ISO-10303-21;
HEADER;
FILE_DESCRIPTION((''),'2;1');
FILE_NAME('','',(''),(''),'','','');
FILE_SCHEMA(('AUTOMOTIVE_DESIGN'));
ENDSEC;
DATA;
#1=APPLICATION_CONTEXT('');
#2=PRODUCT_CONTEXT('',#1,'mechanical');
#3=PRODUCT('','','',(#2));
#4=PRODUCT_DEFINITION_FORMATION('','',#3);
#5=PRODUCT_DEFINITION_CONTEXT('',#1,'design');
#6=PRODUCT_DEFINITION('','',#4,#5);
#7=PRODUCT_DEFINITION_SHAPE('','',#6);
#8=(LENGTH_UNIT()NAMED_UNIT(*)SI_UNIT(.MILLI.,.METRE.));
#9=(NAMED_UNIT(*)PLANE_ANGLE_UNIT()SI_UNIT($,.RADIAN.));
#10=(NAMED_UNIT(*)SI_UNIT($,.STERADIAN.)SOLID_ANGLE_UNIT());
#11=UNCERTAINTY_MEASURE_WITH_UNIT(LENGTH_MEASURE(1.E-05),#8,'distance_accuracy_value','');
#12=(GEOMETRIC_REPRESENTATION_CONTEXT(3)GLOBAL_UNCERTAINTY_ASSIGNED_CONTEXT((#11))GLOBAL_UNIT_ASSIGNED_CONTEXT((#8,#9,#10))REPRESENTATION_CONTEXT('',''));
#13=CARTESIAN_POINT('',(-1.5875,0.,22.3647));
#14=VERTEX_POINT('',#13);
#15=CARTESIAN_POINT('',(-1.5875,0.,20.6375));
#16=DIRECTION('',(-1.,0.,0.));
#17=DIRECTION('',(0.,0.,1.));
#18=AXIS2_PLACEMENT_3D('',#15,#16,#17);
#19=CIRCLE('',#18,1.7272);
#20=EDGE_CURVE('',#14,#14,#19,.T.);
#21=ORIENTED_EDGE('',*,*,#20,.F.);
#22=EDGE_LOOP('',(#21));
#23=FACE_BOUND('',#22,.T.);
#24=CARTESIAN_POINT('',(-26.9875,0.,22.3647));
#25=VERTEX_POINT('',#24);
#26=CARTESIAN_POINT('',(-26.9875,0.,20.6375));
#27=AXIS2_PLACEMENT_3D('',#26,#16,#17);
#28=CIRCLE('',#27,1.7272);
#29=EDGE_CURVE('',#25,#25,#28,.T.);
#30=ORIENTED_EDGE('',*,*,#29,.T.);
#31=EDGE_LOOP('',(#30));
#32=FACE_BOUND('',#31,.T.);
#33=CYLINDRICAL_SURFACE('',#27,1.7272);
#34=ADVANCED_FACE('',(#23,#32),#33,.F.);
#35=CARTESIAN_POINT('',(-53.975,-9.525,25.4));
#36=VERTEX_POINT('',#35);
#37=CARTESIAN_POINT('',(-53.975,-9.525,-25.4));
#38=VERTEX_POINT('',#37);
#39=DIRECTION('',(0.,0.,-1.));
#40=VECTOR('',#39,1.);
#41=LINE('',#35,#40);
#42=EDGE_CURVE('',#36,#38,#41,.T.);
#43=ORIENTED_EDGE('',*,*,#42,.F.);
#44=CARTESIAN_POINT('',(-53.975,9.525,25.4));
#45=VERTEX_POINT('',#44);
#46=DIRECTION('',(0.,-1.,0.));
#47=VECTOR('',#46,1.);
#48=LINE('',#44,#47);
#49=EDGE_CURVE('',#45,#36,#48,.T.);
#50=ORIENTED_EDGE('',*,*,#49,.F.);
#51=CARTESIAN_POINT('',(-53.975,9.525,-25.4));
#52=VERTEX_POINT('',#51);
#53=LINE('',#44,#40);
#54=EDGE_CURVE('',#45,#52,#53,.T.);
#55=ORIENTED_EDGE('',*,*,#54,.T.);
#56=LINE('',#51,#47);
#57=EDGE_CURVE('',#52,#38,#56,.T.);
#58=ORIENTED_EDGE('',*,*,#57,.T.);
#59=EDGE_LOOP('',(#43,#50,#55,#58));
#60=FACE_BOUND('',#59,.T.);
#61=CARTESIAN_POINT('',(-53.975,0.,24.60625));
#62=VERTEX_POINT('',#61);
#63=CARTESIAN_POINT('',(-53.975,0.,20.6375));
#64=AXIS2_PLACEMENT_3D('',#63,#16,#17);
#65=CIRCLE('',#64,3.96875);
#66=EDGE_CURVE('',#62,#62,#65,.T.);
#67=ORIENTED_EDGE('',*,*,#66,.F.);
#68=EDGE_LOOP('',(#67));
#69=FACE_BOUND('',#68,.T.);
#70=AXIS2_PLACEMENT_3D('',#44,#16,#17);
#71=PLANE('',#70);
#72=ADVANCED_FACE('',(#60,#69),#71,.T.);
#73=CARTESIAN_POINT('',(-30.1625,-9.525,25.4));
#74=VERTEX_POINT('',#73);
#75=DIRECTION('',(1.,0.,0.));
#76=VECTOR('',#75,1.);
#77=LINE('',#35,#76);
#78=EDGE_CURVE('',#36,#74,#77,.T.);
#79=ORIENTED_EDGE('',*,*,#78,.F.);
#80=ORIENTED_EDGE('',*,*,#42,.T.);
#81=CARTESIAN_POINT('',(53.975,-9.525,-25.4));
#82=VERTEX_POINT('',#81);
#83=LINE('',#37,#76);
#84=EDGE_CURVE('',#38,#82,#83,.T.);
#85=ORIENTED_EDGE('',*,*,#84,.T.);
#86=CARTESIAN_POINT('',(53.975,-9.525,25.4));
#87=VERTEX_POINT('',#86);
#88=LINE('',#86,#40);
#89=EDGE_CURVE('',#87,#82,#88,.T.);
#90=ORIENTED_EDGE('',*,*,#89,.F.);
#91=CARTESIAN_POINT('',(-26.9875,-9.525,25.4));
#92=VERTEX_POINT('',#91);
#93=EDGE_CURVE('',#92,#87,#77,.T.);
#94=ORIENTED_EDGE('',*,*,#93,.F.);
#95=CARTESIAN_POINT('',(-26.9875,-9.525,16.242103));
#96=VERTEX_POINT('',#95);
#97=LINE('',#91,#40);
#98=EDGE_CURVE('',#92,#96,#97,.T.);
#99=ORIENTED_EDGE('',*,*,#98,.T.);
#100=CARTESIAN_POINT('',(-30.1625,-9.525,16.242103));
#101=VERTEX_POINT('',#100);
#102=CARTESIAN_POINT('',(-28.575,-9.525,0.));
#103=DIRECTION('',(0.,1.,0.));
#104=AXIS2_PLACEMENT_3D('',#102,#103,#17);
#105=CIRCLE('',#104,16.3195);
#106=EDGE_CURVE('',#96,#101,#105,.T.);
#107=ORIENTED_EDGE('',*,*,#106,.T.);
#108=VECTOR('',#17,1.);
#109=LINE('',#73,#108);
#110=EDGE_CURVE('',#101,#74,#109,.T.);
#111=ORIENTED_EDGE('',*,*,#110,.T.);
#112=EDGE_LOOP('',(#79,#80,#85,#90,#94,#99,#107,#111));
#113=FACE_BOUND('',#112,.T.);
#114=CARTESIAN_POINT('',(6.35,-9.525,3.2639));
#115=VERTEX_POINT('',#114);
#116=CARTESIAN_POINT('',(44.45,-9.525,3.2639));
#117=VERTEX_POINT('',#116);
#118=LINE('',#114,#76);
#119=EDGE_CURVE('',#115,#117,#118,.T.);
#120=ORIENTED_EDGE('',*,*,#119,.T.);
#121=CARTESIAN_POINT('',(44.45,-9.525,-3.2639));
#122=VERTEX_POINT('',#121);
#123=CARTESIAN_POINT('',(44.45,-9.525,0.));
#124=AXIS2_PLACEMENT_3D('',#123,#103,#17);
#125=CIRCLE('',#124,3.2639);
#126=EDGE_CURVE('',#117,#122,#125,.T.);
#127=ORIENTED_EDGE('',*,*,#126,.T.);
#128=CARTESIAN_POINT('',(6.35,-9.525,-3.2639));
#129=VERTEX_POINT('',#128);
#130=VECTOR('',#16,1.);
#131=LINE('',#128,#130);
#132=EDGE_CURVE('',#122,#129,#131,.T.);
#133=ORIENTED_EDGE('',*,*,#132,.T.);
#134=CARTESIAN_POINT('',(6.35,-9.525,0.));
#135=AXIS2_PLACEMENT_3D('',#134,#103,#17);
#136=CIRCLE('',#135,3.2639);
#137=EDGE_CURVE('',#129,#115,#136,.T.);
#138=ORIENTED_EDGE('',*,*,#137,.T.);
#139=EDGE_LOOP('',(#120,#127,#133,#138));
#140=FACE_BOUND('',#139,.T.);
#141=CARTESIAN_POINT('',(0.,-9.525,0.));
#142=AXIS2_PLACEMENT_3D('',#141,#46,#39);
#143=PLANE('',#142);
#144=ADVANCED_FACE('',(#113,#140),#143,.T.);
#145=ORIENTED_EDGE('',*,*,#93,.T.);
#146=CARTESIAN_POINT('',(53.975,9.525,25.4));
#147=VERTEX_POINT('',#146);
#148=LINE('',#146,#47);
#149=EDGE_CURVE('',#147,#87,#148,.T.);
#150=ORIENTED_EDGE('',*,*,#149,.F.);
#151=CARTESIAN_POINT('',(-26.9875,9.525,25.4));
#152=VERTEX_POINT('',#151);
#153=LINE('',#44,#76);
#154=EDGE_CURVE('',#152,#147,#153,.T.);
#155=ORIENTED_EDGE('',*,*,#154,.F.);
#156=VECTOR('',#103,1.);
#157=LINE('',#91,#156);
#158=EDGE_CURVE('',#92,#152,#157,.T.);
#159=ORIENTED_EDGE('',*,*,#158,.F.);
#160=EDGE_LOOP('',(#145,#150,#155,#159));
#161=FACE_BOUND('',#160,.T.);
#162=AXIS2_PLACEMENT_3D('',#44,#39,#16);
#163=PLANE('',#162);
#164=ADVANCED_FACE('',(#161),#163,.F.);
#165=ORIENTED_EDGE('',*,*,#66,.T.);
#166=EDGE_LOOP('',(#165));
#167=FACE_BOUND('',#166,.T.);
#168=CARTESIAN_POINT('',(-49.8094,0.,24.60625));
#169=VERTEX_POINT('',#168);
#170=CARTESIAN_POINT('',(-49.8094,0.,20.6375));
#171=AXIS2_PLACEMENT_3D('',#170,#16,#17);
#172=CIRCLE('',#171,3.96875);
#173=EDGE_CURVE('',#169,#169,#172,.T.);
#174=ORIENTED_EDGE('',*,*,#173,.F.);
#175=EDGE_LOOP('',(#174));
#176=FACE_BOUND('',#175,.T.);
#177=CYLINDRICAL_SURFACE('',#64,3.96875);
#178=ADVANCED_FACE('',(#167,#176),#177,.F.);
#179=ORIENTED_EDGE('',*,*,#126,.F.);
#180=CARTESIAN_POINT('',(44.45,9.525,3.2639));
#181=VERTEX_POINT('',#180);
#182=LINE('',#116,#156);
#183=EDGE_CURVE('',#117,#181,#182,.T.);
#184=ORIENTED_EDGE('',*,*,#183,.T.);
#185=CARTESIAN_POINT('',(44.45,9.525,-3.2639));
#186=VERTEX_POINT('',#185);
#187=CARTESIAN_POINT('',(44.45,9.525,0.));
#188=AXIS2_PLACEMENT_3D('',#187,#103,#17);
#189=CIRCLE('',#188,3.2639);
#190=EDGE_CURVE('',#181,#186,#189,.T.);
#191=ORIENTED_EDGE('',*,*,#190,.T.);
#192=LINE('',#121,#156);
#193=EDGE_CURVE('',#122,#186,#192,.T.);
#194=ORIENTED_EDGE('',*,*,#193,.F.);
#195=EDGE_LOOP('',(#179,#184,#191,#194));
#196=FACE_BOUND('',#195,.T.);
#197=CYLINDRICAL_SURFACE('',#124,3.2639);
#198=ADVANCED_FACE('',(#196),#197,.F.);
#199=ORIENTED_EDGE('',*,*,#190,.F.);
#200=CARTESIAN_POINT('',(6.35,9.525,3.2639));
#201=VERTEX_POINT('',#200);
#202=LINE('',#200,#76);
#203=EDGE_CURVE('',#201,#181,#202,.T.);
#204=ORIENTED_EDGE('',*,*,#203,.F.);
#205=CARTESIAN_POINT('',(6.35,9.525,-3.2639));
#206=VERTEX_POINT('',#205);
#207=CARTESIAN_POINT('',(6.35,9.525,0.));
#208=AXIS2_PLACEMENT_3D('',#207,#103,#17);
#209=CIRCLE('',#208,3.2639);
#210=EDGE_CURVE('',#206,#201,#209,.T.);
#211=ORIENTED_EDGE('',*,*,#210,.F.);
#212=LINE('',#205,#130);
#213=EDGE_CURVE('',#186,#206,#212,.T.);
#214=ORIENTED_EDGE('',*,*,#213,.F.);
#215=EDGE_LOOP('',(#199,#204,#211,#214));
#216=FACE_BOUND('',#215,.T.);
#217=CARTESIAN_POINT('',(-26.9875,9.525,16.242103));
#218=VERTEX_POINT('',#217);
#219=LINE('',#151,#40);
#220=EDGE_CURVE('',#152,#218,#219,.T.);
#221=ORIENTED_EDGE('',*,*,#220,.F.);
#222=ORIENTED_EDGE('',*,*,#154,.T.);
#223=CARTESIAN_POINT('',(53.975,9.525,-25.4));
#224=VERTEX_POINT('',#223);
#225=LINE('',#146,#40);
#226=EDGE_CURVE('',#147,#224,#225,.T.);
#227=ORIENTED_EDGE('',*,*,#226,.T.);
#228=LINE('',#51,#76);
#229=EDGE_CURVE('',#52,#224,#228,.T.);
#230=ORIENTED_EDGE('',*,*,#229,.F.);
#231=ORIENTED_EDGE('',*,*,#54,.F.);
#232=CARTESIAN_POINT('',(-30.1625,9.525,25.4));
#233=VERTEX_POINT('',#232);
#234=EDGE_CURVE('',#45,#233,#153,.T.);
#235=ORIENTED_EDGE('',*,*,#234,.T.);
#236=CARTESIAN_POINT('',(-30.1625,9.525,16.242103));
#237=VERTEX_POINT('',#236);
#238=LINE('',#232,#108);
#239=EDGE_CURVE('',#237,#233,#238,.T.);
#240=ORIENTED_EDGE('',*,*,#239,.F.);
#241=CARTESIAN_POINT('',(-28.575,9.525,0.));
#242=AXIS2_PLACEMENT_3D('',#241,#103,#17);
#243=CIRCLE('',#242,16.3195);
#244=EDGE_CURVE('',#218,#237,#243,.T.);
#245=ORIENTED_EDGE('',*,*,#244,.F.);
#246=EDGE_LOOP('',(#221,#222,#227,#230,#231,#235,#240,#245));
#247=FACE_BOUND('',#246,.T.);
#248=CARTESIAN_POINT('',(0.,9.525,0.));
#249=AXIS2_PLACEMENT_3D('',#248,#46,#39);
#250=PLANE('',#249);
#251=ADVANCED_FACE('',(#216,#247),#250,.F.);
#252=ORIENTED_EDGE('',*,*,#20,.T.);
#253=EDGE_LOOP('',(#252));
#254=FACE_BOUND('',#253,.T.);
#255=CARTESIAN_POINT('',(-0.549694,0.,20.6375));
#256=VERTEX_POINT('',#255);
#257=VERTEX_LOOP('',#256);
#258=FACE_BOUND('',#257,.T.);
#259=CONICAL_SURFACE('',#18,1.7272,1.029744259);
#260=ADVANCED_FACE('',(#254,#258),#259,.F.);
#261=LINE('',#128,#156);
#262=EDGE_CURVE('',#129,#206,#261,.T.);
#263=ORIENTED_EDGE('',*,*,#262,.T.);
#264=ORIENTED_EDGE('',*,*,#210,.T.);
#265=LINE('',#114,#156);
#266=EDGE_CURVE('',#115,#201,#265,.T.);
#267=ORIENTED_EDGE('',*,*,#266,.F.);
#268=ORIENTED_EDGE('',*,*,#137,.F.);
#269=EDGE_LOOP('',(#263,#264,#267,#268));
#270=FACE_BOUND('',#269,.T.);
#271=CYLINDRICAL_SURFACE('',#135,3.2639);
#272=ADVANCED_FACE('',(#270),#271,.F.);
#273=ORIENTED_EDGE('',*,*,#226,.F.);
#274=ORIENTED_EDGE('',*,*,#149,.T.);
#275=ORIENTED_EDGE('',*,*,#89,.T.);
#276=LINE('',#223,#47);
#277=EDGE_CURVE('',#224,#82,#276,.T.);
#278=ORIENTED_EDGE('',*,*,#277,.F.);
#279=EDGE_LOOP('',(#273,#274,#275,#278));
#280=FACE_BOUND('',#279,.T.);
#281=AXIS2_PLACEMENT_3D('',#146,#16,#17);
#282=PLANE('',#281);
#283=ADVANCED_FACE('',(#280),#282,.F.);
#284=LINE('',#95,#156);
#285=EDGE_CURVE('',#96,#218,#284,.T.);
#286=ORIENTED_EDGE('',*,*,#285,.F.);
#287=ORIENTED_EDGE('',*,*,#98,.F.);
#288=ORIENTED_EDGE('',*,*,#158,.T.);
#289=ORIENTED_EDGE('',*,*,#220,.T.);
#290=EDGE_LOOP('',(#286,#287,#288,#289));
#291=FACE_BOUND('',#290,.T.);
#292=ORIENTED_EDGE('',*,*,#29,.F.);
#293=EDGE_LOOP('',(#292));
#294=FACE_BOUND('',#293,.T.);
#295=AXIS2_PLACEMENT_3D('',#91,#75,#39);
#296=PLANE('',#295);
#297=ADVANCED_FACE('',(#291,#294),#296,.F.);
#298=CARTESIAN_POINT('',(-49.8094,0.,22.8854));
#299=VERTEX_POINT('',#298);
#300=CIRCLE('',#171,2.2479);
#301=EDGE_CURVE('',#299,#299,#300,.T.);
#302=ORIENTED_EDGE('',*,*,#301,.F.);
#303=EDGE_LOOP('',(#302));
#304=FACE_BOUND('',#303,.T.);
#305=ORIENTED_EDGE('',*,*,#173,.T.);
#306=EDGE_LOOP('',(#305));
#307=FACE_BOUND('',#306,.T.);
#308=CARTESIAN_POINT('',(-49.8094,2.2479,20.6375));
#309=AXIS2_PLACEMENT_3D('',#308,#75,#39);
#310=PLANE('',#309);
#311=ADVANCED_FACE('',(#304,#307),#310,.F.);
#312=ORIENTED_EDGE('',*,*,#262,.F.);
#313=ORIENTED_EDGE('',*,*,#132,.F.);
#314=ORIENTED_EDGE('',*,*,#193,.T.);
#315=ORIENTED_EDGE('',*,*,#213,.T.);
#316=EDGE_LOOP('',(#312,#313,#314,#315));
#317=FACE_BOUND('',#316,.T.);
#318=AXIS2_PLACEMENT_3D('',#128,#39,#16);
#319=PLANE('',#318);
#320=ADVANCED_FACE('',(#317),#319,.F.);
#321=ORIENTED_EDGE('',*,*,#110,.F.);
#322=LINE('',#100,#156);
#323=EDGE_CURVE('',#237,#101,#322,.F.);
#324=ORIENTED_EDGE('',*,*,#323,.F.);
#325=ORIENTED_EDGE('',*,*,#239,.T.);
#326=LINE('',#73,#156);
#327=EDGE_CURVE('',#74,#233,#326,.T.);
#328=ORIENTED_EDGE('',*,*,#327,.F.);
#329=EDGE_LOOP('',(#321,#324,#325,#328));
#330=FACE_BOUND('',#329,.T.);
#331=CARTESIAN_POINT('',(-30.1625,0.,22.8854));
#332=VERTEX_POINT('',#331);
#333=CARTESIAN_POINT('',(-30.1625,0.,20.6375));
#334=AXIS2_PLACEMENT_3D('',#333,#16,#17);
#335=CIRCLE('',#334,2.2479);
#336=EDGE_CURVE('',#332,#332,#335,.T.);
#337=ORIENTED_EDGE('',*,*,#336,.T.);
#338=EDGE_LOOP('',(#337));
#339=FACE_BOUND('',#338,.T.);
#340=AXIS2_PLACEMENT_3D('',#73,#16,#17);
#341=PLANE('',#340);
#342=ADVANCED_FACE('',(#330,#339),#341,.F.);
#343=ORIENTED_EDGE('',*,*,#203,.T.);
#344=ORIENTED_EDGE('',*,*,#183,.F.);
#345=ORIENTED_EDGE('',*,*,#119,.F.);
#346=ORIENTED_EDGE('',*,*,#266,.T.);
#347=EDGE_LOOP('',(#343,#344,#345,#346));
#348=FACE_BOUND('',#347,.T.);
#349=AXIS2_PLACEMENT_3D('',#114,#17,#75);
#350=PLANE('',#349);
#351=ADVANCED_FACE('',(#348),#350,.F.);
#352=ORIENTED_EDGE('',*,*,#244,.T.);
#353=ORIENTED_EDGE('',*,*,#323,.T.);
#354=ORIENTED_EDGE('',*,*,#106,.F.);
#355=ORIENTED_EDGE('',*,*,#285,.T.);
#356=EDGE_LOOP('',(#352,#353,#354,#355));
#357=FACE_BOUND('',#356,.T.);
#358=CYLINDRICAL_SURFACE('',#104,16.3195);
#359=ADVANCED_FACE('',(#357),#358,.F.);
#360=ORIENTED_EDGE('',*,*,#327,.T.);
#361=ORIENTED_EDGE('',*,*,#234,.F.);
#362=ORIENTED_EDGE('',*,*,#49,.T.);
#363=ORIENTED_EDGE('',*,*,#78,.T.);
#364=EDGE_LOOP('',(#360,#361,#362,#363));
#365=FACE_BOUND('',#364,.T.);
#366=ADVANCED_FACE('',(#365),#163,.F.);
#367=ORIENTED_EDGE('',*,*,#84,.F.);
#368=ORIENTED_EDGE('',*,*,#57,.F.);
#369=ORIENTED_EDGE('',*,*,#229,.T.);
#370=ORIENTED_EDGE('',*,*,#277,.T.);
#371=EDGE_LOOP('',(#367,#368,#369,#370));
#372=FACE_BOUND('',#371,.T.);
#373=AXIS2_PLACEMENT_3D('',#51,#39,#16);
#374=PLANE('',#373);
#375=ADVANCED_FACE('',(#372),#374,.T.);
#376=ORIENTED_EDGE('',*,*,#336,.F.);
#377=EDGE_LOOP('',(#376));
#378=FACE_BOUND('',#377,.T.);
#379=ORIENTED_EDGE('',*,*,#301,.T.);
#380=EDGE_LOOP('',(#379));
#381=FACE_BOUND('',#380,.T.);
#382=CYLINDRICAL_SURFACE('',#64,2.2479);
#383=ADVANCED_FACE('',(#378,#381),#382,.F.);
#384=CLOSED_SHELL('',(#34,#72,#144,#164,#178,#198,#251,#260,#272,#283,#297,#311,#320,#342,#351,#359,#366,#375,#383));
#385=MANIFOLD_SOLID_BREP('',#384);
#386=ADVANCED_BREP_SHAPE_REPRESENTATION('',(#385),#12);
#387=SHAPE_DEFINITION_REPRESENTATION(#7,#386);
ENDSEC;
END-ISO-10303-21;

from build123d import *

# Parameters (mm, degrees)
SKETCH1_W                                      = 107.95
SKETCH1_H                                      = 50.8
BOSS_EXTRUDE1_DEPTH                            = 9.525
SKETCH2_R                                      = 16.3195
CUT_EXTRUDE1_DEPTH                             = 19.05
SKETCH3_W                                      = 3.175
SKETCH3_H                                      = 25.4
CUT_EXTRUDE2_DEPTH                             = 19.05
CBORE_FOR_8_SOCKET_HEAD_CAP_SCREW1_D           = 4.4958
CBORE_FOR_8_SOCKET_HEAD_CAP_SCREW1_DEPTH       = 23.8125
CBORE_FOR_8_SOCKET_HEAD_CAP_SCREW1_CBORE_D     = 7.9375
CBORE_FOR_8_SOCKET_HEAD_CAP_SCREW1_CBORE_DEPTH = 4.1656
F_8_32_TAPPED_HOLE1_D                          = 3.4544
F_8_32_TAPPED_HOLE1_DEPTH                      = 25.4
F_8_32_TAPPED_HOLE1_TIP                        = 1.037806461
CUT_EXTRUDE3_DEPTH                             = 19.05


with BuildPart() as part:
    # Sketch1 → Boss-Extrude1 (new, symmetric)
    with BuildSketch(Plane(origin=(0, 0, 0), x_dir=(1, 0, 0), z_dir=(0, 1, 0))):
        Rectangle(SKETCH1_W, SKETCH1_H)
    extrude(amount=BOSS_EXTRUDE1_DEPTH, both=True)

    # Sketch2 → Cut-Extrude1 (cut)
    with BuildSketch(Plane(origin=(0, 9.525, 0), x_dir=(1, 0, 0), z_dir=(0, 1, 0))):
        with Locations(Location((-28.575, 0, 0), (0, 0, 270))):
            Circle(SKETCH2_R)
    extrude(amount=-CUT_EXTRUDE1_DEPTH, mode=Mode.SUBTRACT)

    # Sketch3 → Cut-Extrude2 (cut)
    with BuildSketch(Plane(origin=(0, 9.525, 0), x_dir=(1, 0, 0), z_dir=(0, 1, 0))):
        with Locations((-28.575, -12.7)):
            Rectangle(SKETCH3_W, SKETCH3_H)
    extrude(amount=-CUT_EXTRUDE2_DEPTH, mode=Mode.SUBTRACT)

    # CBORE for #8 Socket Head Cap Screw1
    with Locations(Plane.ZY.offset(53.975)):
        with Locations((20.6375, 0)):
            CounterBoreHole(CBORE_FOR_8_SOCKET_HEAD_CAP_SCREW1_D / 2, CBORE_FOR_8_SOCKET_HEAD_CAP_SCREW1_CBORE_D / 2, CBORE_FOR_8_SOCKET_HEAD_CAP_SCREW1_CBORE_DEPTH, depth=CBORE_FOR_8_SOCKET_HEAD_CAP_SCREW1_DEPTH)

    # #8-32 Tapped Hole1
    with Locations(Plane.ZY.offset(26.9875)):
        with Locations((20.6375, 0)):
            Hole(F_8_32_TAPPED_HOLE1_D / 2, depth=F_8_32_TAPPED_HOLE1_DEPTH)
            with Locations((0, 0, -(F_8_32_TAPPED_HOLE1_DEPTH + F_8_32_TAPPED_HOLE1_TIP / 2))):  # 118° drill point
                Cone(0, F_8_32_TAPPED_HOLE1_D / 2, F_8_32_TAPPED_HOLE1_TIP, mode=Mode.SUBTRACT)

    # Sketch12 → Cut-Extrude3 (cut)
    with BuildSketch(Plane(origin=(0, 9.525, 0), x_dir=(1, 0, 0), z_dir=(0, 1, 0))):
        with BuildLine():
            Line((6.35, 3.2639), (44.45, 3.2639))
            ThreePointArc((44.45, 3.2639), (47.7139, 0), (44.45, -3.2639))
            Line((44.45, -3.2639), (6.35, -3.2639))
            ThreePointArc((6.35, -3.2639), (3.0861, 0), (6.35, 3.2639))
        make_face()
    extrude(amount=-CUT_EXTRUDE3_DEPTH, mode=Mode.SUBTRACT)


solid = part.part
